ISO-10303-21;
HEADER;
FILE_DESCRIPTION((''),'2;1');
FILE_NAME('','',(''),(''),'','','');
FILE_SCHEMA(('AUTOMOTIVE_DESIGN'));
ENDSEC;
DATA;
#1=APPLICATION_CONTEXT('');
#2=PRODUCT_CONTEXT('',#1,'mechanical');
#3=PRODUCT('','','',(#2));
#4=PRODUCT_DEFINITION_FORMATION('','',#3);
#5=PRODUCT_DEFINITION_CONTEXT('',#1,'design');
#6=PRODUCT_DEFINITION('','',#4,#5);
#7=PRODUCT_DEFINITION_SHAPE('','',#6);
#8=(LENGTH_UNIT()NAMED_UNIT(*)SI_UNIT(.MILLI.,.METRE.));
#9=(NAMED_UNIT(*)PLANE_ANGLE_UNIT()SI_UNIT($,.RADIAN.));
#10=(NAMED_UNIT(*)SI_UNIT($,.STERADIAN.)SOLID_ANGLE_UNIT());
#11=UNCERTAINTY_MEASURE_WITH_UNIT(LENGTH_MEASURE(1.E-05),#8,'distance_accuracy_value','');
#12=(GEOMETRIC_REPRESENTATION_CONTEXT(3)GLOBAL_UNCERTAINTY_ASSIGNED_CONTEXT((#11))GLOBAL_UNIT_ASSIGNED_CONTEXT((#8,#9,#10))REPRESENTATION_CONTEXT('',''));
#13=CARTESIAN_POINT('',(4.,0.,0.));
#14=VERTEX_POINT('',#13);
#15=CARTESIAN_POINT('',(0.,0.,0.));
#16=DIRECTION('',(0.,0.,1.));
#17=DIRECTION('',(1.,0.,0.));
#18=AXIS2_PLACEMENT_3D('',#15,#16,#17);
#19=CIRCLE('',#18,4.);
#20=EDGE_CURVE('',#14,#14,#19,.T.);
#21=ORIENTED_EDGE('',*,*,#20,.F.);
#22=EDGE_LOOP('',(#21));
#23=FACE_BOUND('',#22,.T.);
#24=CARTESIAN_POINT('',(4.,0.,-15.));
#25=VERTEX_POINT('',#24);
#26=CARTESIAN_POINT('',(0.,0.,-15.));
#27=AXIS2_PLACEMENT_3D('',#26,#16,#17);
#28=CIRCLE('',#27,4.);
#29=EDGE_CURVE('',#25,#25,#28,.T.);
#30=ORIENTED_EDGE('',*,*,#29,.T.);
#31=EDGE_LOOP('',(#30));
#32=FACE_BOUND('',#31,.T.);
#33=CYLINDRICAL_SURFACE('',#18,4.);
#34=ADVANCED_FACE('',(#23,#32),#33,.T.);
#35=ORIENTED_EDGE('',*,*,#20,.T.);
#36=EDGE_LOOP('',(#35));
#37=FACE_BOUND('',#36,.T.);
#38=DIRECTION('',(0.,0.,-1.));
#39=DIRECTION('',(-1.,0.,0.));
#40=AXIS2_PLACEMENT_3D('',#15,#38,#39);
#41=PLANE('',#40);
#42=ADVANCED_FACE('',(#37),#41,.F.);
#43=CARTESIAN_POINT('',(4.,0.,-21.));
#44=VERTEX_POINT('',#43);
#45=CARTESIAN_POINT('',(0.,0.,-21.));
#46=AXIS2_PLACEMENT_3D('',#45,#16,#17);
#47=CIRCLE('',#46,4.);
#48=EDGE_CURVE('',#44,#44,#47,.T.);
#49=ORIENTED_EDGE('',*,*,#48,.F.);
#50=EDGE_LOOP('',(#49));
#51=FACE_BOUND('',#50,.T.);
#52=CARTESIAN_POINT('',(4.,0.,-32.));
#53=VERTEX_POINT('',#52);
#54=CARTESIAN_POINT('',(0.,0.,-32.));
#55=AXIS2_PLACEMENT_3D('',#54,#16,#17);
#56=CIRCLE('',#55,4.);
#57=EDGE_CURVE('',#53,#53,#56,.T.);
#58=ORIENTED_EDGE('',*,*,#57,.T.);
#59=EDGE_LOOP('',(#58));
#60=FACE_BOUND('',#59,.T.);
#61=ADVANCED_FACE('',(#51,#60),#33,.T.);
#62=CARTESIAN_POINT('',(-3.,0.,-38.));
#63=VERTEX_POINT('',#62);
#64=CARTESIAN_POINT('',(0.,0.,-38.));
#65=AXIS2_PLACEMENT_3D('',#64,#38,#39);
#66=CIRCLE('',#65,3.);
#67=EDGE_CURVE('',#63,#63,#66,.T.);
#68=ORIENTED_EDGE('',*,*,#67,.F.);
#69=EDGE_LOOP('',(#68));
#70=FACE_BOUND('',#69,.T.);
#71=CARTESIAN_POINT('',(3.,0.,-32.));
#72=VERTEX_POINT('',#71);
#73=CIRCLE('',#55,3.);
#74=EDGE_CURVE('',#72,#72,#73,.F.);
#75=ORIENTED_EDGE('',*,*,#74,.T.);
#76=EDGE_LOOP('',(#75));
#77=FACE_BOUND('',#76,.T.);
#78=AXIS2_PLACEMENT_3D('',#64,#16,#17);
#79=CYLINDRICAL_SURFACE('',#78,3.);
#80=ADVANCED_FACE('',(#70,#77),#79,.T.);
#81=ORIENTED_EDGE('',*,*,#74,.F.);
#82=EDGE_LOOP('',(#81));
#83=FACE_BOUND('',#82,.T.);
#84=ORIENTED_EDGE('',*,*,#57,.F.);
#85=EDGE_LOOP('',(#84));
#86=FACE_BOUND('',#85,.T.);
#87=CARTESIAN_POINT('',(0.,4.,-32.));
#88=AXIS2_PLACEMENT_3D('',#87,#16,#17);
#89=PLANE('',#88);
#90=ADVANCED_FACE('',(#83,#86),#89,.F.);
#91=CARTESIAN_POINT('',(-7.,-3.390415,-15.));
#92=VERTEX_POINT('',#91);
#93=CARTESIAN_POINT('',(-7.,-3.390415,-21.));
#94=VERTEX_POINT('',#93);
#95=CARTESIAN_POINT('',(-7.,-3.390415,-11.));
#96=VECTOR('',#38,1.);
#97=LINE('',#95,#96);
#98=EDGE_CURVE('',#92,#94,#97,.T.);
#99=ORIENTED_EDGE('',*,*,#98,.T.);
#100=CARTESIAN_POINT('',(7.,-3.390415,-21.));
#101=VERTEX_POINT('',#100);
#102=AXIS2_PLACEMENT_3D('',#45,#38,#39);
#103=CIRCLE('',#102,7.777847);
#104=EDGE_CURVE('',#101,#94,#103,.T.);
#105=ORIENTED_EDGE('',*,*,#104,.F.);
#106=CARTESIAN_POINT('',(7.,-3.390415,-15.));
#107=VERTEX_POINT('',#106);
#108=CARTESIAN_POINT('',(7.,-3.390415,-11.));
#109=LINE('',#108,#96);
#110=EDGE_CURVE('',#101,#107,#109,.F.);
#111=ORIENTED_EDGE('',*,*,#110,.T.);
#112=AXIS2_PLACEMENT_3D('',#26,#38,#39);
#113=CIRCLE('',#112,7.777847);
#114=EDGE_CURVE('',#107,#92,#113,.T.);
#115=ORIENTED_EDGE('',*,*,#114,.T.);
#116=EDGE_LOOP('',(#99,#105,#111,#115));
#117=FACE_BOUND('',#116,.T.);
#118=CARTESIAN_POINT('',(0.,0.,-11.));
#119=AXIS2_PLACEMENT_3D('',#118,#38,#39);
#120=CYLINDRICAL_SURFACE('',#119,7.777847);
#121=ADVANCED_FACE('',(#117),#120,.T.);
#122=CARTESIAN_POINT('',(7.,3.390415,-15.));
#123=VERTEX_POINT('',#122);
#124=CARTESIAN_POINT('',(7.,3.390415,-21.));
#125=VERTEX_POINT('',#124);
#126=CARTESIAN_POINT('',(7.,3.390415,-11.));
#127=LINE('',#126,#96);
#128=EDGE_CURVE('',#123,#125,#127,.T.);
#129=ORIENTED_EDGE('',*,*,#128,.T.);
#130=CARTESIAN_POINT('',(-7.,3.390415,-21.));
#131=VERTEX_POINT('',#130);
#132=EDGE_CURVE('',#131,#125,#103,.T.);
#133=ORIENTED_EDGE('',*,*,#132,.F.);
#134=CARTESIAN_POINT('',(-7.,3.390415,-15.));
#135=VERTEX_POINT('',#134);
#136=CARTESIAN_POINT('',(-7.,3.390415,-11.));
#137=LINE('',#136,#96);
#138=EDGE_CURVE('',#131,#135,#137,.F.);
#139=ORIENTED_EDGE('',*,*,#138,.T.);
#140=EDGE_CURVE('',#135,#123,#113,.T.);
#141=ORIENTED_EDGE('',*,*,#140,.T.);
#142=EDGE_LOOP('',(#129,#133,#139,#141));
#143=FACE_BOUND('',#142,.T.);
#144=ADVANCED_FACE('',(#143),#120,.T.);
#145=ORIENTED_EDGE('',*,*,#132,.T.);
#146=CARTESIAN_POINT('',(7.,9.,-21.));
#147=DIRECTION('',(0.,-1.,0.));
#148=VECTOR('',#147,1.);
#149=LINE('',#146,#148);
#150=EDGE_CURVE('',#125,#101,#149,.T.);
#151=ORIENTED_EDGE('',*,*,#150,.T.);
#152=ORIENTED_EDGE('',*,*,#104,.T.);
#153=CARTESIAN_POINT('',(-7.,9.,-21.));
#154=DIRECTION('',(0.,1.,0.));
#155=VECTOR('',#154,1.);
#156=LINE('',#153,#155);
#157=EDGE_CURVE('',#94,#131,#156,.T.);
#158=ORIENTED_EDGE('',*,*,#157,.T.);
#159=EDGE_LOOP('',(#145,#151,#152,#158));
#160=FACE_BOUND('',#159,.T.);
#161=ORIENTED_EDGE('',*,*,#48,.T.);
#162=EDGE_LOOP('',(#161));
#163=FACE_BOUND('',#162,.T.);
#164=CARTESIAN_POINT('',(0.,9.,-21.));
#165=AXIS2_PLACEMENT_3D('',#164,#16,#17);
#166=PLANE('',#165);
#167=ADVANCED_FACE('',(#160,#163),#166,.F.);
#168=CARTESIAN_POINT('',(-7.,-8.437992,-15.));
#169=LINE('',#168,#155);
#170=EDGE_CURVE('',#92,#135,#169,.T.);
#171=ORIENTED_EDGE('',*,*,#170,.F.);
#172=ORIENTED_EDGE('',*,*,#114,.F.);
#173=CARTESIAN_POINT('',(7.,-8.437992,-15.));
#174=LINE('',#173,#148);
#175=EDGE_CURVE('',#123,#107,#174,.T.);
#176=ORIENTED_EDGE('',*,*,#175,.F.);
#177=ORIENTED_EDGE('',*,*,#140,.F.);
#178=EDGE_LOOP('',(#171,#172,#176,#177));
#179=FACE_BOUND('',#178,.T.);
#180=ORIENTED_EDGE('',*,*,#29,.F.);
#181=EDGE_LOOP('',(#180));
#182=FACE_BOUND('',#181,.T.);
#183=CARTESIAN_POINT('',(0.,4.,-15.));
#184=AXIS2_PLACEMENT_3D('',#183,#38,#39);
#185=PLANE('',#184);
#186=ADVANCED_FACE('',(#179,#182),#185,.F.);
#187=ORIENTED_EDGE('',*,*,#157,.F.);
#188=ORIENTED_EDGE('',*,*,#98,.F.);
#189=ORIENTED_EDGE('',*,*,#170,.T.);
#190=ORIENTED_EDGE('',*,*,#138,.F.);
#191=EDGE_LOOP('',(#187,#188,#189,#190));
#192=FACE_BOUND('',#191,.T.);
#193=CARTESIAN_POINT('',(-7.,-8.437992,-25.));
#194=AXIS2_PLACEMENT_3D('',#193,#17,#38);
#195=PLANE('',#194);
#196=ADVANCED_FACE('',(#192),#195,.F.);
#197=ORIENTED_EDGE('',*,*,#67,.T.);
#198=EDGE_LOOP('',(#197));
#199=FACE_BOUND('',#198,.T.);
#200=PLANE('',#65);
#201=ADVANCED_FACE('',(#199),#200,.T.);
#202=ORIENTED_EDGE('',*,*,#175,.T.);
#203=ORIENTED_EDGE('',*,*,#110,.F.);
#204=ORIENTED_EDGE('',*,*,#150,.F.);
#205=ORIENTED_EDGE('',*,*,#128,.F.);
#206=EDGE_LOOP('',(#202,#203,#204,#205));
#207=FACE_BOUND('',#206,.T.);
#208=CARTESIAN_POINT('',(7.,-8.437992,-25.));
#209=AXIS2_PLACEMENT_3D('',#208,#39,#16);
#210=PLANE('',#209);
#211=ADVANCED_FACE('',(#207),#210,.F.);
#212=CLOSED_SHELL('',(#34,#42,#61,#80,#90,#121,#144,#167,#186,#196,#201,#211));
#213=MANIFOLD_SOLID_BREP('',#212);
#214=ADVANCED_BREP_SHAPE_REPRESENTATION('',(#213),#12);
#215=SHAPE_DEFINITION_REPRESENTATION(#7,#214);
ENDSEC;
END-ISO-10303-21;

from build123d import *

# Parameters (mm, degrees)
SKETCH_3_W          = 8
SKETCH_3_H          = 16.823898374
CUT_EXTRUDE_1_DEPTH = 10
SKETCH_5_OUTSIDE_W  = 23.858
SKETCH_5_OUTSIDE_H  = 27.858
SKETCH_5_OUTSIDE_R  = 7.77784742
CUT_EXTRUDE_2_DEPTH = 10
SKETCH_6_R          = 3
EXTRUDE_1_DEPTH     = 6


with BuildPart() as part:
    # 草图2 → 旋转1 (revolve)
    with BuildSketch(Plane(origin=(0, 0, 0), x_dir=(0, 0, -1), z_dir=(1, 0, 0))):
        Polygon((0, 0), (0, 4), (15, 4), (15, 9), (21, 9), (21, 4), (32, 4), (32, 0), align=None)
    revolve(axis=Axis((0, 0, 0), (0, 0, -1)))

    # 草图3 → 切除-拉伸1 (cut)
    with BuildSketch(Plane.XY.offset(-15)):
        with Locations((-11, -0.026043186)):
            Rectangle(SKETCH_3_W, SKETCH_3_H)
        with Locations((11, -0.026043186)):
            Rectangle(SKETCH_3_W, SKETCH_3_H)
    extrude(amount=-CUT_EXTRUDE_1_DEPTH, mode=Mode.SUBTRACT)

    # 草图5 outside → 切除-拉伸2 (cut)
    with BuildSketch(Plane(origin=(0, 0, -21), x_dir=(-1, 0, 0), z_dir=(0, 0, -1))):
        Rectangle(SKETCH_5_OUTSIDE_W, SKETCH_5_OUTSIDE_H)
        Circle(SKETCH_5_OUTSIDE_R, mode=Mode.SUBTRACT)
    extrude(amount=-CUT_EXTRUDE_2_DEPTH, mode=Mode.SUBTRACT)

    # 草图6 → 凸台-拉伸1 (add)
    with BuildSketch(Plane(origin=(0, 0, -32), x_dir=(-1, 0, 0), z_dir=(0, 0, -1))):
        Circle(SKETCH_6_R)
    extrude(amount=EXTRUDE_1_DEPTH)


solid = part.part
